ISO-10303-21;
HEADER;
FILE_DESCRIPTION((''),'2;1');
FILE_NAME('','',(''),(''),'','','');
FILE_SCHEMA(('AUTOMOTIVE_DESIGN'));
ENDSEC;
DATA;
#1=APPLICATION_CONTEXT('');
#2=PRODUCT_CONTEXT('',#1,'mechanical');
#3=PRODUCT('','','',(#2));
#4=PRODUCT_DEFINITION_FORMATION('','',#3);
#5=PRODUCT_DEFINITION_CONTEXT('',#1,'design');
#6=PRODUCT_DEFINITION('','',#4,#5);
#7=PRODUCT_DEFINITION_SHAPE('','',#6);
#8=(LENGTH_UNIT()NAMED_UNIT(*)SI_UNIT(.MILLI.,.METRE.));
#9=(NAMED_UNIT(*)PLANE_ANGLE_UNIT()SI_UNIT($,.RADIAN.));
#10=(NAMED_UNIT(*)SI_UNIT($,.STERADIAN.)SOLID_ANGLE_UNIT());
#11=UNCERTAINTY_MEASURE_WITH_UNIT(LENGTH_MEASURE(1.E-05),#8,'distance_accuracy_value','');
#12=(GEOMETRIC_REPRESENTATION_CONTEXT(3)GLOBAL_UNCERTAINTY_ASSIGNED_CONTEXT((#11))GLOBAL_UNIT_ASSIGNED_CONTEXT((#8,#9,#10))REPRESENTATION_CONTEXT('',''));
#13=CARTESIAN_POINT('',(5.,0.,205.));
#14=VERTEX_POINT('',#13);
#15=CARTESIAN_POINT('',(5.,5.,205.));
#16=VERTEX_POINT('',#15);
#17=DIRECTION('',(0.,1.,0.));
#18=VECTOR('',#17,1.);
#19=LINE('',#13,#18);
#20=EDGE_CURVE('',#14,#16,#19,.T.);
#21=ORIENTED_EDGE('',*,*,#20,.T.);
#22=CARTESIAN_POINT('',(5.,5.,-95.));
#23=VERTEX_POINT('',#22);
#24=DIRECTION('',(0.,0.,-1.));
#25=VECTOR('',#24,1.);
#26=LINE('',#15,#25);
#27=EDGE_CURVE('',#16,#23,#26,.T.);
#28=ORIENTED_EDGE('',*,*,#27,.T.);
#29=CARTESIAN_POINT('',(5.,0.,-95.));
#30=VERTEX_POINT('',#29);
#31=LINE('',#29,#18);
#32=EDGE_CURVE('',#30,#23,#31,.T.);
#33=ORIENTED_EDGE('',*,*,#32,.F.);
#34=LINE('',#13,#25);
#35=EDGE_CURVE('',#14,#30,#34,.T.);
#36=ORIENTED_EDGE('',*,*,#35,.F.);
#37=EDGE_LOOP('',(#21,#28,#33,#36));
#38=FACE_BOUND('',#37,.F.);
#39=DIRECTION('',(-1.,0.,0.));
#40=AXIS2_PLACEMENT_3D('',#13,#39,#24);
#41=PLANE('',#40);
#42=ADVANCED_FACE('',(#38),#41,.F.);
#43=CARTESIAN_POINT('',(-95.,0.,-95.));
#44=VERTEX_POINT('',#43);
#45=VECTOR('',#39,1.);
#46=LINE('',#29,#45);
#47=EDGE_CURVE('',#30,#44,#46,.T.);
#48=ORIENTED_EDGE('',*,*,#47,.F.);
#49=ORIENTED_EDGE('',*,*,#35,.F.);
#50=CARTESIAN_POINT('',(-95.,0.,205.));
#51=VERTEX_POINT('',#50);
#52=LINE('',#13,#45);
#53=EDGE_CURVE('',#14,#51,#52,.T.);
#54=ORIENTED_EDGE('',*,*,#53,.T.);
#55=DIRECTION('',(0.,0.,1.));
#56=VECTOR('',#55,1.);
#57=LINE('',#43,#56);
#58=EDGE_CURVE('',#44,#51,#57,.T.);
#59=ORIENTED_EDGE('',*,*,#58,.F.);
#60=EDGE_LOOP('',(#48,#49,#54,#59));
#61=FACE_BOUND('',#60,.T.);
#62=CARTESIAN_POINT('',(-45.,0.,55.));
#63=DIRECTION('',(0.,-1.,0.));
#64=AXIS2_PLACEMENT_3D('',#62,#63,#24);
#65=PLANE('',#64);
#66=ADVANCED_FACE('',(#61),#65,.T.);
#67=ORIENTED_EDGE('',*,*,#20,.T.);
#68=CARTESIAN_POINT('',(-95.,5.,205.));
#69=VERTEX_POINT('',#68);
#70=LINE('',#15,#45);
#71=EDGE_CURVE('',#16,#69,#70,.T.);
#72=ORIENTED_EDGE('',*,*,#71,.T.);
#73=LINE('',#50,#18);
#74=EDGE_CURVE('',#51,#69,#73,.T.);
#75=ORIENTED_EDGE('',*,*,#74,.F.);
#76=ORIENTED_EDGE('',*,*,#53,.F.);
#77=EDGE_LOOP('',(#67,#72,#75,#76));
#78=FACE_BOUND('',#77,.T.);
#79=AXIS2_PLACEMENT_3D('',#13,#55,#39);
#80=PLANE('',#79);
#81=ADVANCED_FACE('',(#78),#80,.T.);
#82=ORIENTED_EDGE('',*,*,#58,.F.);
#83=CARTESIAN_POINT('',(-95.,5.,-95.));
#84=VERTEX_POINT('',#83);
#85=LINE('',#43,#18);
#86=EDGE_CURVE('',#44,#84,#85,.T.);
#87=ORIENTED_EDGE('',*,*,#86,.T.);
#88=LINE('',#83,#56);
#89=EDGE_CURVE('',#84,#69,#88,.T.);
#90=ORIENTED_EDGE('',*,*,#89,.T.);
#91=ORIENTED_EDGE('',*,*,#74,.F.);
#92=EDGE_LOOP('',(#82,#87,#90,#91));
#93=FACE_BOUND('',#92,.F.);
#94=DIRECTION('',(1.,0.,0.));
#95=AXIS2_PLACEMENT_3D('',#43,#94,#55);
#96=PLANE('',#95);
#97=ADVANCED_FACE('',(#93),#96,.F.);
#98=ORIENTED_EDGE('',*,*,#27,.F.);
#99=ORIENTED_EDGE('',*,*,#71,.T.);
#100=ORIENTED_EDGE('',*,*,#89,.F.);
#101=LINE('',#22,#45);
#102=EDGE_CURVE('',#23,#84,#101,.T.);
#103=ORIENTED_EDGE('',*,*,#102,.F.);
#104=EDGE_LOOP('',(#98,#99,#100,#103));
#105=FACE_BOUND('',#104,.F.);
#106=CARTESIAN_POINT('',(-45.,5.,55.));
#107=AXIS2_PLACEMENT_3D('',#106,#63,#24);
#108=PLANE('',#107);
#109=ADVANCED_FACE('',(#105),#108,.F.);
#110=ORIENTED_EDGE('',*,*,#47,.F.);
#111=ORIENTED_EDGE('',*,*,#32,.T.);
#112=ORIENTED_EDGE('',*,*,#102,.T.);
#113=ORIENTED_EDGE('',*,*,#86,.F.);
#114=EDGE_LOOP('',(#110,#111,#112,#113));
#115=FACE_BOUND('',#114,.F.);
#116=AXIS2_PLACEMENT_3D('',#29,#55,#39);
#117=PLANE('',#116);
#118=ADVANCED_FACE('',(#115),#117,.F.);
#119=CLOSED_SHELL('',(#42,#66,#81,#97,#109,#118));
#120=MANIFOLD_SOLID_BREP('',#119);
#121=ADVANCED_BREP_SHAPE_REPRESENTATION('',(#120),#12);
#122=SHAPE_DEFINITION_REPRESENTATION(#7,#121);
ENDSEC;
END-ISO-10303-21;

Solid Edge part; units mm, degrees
sketch "Sketch1" plane through (0, 0, 0) normal (0, 1, 0) x (-1, 0, 0)
  line L0 (-5, 205) -> (95, 205)
  line L1 (95, -95) -> (95, 205)
  line L2 (-5, -95) -> (95, -95)
  line L3 (-5, 205) -> (-5, -95)
extrude "Protrusion1" add sketch "Sketch1" along normal blind 5
properties part number "1983-1000-003"
